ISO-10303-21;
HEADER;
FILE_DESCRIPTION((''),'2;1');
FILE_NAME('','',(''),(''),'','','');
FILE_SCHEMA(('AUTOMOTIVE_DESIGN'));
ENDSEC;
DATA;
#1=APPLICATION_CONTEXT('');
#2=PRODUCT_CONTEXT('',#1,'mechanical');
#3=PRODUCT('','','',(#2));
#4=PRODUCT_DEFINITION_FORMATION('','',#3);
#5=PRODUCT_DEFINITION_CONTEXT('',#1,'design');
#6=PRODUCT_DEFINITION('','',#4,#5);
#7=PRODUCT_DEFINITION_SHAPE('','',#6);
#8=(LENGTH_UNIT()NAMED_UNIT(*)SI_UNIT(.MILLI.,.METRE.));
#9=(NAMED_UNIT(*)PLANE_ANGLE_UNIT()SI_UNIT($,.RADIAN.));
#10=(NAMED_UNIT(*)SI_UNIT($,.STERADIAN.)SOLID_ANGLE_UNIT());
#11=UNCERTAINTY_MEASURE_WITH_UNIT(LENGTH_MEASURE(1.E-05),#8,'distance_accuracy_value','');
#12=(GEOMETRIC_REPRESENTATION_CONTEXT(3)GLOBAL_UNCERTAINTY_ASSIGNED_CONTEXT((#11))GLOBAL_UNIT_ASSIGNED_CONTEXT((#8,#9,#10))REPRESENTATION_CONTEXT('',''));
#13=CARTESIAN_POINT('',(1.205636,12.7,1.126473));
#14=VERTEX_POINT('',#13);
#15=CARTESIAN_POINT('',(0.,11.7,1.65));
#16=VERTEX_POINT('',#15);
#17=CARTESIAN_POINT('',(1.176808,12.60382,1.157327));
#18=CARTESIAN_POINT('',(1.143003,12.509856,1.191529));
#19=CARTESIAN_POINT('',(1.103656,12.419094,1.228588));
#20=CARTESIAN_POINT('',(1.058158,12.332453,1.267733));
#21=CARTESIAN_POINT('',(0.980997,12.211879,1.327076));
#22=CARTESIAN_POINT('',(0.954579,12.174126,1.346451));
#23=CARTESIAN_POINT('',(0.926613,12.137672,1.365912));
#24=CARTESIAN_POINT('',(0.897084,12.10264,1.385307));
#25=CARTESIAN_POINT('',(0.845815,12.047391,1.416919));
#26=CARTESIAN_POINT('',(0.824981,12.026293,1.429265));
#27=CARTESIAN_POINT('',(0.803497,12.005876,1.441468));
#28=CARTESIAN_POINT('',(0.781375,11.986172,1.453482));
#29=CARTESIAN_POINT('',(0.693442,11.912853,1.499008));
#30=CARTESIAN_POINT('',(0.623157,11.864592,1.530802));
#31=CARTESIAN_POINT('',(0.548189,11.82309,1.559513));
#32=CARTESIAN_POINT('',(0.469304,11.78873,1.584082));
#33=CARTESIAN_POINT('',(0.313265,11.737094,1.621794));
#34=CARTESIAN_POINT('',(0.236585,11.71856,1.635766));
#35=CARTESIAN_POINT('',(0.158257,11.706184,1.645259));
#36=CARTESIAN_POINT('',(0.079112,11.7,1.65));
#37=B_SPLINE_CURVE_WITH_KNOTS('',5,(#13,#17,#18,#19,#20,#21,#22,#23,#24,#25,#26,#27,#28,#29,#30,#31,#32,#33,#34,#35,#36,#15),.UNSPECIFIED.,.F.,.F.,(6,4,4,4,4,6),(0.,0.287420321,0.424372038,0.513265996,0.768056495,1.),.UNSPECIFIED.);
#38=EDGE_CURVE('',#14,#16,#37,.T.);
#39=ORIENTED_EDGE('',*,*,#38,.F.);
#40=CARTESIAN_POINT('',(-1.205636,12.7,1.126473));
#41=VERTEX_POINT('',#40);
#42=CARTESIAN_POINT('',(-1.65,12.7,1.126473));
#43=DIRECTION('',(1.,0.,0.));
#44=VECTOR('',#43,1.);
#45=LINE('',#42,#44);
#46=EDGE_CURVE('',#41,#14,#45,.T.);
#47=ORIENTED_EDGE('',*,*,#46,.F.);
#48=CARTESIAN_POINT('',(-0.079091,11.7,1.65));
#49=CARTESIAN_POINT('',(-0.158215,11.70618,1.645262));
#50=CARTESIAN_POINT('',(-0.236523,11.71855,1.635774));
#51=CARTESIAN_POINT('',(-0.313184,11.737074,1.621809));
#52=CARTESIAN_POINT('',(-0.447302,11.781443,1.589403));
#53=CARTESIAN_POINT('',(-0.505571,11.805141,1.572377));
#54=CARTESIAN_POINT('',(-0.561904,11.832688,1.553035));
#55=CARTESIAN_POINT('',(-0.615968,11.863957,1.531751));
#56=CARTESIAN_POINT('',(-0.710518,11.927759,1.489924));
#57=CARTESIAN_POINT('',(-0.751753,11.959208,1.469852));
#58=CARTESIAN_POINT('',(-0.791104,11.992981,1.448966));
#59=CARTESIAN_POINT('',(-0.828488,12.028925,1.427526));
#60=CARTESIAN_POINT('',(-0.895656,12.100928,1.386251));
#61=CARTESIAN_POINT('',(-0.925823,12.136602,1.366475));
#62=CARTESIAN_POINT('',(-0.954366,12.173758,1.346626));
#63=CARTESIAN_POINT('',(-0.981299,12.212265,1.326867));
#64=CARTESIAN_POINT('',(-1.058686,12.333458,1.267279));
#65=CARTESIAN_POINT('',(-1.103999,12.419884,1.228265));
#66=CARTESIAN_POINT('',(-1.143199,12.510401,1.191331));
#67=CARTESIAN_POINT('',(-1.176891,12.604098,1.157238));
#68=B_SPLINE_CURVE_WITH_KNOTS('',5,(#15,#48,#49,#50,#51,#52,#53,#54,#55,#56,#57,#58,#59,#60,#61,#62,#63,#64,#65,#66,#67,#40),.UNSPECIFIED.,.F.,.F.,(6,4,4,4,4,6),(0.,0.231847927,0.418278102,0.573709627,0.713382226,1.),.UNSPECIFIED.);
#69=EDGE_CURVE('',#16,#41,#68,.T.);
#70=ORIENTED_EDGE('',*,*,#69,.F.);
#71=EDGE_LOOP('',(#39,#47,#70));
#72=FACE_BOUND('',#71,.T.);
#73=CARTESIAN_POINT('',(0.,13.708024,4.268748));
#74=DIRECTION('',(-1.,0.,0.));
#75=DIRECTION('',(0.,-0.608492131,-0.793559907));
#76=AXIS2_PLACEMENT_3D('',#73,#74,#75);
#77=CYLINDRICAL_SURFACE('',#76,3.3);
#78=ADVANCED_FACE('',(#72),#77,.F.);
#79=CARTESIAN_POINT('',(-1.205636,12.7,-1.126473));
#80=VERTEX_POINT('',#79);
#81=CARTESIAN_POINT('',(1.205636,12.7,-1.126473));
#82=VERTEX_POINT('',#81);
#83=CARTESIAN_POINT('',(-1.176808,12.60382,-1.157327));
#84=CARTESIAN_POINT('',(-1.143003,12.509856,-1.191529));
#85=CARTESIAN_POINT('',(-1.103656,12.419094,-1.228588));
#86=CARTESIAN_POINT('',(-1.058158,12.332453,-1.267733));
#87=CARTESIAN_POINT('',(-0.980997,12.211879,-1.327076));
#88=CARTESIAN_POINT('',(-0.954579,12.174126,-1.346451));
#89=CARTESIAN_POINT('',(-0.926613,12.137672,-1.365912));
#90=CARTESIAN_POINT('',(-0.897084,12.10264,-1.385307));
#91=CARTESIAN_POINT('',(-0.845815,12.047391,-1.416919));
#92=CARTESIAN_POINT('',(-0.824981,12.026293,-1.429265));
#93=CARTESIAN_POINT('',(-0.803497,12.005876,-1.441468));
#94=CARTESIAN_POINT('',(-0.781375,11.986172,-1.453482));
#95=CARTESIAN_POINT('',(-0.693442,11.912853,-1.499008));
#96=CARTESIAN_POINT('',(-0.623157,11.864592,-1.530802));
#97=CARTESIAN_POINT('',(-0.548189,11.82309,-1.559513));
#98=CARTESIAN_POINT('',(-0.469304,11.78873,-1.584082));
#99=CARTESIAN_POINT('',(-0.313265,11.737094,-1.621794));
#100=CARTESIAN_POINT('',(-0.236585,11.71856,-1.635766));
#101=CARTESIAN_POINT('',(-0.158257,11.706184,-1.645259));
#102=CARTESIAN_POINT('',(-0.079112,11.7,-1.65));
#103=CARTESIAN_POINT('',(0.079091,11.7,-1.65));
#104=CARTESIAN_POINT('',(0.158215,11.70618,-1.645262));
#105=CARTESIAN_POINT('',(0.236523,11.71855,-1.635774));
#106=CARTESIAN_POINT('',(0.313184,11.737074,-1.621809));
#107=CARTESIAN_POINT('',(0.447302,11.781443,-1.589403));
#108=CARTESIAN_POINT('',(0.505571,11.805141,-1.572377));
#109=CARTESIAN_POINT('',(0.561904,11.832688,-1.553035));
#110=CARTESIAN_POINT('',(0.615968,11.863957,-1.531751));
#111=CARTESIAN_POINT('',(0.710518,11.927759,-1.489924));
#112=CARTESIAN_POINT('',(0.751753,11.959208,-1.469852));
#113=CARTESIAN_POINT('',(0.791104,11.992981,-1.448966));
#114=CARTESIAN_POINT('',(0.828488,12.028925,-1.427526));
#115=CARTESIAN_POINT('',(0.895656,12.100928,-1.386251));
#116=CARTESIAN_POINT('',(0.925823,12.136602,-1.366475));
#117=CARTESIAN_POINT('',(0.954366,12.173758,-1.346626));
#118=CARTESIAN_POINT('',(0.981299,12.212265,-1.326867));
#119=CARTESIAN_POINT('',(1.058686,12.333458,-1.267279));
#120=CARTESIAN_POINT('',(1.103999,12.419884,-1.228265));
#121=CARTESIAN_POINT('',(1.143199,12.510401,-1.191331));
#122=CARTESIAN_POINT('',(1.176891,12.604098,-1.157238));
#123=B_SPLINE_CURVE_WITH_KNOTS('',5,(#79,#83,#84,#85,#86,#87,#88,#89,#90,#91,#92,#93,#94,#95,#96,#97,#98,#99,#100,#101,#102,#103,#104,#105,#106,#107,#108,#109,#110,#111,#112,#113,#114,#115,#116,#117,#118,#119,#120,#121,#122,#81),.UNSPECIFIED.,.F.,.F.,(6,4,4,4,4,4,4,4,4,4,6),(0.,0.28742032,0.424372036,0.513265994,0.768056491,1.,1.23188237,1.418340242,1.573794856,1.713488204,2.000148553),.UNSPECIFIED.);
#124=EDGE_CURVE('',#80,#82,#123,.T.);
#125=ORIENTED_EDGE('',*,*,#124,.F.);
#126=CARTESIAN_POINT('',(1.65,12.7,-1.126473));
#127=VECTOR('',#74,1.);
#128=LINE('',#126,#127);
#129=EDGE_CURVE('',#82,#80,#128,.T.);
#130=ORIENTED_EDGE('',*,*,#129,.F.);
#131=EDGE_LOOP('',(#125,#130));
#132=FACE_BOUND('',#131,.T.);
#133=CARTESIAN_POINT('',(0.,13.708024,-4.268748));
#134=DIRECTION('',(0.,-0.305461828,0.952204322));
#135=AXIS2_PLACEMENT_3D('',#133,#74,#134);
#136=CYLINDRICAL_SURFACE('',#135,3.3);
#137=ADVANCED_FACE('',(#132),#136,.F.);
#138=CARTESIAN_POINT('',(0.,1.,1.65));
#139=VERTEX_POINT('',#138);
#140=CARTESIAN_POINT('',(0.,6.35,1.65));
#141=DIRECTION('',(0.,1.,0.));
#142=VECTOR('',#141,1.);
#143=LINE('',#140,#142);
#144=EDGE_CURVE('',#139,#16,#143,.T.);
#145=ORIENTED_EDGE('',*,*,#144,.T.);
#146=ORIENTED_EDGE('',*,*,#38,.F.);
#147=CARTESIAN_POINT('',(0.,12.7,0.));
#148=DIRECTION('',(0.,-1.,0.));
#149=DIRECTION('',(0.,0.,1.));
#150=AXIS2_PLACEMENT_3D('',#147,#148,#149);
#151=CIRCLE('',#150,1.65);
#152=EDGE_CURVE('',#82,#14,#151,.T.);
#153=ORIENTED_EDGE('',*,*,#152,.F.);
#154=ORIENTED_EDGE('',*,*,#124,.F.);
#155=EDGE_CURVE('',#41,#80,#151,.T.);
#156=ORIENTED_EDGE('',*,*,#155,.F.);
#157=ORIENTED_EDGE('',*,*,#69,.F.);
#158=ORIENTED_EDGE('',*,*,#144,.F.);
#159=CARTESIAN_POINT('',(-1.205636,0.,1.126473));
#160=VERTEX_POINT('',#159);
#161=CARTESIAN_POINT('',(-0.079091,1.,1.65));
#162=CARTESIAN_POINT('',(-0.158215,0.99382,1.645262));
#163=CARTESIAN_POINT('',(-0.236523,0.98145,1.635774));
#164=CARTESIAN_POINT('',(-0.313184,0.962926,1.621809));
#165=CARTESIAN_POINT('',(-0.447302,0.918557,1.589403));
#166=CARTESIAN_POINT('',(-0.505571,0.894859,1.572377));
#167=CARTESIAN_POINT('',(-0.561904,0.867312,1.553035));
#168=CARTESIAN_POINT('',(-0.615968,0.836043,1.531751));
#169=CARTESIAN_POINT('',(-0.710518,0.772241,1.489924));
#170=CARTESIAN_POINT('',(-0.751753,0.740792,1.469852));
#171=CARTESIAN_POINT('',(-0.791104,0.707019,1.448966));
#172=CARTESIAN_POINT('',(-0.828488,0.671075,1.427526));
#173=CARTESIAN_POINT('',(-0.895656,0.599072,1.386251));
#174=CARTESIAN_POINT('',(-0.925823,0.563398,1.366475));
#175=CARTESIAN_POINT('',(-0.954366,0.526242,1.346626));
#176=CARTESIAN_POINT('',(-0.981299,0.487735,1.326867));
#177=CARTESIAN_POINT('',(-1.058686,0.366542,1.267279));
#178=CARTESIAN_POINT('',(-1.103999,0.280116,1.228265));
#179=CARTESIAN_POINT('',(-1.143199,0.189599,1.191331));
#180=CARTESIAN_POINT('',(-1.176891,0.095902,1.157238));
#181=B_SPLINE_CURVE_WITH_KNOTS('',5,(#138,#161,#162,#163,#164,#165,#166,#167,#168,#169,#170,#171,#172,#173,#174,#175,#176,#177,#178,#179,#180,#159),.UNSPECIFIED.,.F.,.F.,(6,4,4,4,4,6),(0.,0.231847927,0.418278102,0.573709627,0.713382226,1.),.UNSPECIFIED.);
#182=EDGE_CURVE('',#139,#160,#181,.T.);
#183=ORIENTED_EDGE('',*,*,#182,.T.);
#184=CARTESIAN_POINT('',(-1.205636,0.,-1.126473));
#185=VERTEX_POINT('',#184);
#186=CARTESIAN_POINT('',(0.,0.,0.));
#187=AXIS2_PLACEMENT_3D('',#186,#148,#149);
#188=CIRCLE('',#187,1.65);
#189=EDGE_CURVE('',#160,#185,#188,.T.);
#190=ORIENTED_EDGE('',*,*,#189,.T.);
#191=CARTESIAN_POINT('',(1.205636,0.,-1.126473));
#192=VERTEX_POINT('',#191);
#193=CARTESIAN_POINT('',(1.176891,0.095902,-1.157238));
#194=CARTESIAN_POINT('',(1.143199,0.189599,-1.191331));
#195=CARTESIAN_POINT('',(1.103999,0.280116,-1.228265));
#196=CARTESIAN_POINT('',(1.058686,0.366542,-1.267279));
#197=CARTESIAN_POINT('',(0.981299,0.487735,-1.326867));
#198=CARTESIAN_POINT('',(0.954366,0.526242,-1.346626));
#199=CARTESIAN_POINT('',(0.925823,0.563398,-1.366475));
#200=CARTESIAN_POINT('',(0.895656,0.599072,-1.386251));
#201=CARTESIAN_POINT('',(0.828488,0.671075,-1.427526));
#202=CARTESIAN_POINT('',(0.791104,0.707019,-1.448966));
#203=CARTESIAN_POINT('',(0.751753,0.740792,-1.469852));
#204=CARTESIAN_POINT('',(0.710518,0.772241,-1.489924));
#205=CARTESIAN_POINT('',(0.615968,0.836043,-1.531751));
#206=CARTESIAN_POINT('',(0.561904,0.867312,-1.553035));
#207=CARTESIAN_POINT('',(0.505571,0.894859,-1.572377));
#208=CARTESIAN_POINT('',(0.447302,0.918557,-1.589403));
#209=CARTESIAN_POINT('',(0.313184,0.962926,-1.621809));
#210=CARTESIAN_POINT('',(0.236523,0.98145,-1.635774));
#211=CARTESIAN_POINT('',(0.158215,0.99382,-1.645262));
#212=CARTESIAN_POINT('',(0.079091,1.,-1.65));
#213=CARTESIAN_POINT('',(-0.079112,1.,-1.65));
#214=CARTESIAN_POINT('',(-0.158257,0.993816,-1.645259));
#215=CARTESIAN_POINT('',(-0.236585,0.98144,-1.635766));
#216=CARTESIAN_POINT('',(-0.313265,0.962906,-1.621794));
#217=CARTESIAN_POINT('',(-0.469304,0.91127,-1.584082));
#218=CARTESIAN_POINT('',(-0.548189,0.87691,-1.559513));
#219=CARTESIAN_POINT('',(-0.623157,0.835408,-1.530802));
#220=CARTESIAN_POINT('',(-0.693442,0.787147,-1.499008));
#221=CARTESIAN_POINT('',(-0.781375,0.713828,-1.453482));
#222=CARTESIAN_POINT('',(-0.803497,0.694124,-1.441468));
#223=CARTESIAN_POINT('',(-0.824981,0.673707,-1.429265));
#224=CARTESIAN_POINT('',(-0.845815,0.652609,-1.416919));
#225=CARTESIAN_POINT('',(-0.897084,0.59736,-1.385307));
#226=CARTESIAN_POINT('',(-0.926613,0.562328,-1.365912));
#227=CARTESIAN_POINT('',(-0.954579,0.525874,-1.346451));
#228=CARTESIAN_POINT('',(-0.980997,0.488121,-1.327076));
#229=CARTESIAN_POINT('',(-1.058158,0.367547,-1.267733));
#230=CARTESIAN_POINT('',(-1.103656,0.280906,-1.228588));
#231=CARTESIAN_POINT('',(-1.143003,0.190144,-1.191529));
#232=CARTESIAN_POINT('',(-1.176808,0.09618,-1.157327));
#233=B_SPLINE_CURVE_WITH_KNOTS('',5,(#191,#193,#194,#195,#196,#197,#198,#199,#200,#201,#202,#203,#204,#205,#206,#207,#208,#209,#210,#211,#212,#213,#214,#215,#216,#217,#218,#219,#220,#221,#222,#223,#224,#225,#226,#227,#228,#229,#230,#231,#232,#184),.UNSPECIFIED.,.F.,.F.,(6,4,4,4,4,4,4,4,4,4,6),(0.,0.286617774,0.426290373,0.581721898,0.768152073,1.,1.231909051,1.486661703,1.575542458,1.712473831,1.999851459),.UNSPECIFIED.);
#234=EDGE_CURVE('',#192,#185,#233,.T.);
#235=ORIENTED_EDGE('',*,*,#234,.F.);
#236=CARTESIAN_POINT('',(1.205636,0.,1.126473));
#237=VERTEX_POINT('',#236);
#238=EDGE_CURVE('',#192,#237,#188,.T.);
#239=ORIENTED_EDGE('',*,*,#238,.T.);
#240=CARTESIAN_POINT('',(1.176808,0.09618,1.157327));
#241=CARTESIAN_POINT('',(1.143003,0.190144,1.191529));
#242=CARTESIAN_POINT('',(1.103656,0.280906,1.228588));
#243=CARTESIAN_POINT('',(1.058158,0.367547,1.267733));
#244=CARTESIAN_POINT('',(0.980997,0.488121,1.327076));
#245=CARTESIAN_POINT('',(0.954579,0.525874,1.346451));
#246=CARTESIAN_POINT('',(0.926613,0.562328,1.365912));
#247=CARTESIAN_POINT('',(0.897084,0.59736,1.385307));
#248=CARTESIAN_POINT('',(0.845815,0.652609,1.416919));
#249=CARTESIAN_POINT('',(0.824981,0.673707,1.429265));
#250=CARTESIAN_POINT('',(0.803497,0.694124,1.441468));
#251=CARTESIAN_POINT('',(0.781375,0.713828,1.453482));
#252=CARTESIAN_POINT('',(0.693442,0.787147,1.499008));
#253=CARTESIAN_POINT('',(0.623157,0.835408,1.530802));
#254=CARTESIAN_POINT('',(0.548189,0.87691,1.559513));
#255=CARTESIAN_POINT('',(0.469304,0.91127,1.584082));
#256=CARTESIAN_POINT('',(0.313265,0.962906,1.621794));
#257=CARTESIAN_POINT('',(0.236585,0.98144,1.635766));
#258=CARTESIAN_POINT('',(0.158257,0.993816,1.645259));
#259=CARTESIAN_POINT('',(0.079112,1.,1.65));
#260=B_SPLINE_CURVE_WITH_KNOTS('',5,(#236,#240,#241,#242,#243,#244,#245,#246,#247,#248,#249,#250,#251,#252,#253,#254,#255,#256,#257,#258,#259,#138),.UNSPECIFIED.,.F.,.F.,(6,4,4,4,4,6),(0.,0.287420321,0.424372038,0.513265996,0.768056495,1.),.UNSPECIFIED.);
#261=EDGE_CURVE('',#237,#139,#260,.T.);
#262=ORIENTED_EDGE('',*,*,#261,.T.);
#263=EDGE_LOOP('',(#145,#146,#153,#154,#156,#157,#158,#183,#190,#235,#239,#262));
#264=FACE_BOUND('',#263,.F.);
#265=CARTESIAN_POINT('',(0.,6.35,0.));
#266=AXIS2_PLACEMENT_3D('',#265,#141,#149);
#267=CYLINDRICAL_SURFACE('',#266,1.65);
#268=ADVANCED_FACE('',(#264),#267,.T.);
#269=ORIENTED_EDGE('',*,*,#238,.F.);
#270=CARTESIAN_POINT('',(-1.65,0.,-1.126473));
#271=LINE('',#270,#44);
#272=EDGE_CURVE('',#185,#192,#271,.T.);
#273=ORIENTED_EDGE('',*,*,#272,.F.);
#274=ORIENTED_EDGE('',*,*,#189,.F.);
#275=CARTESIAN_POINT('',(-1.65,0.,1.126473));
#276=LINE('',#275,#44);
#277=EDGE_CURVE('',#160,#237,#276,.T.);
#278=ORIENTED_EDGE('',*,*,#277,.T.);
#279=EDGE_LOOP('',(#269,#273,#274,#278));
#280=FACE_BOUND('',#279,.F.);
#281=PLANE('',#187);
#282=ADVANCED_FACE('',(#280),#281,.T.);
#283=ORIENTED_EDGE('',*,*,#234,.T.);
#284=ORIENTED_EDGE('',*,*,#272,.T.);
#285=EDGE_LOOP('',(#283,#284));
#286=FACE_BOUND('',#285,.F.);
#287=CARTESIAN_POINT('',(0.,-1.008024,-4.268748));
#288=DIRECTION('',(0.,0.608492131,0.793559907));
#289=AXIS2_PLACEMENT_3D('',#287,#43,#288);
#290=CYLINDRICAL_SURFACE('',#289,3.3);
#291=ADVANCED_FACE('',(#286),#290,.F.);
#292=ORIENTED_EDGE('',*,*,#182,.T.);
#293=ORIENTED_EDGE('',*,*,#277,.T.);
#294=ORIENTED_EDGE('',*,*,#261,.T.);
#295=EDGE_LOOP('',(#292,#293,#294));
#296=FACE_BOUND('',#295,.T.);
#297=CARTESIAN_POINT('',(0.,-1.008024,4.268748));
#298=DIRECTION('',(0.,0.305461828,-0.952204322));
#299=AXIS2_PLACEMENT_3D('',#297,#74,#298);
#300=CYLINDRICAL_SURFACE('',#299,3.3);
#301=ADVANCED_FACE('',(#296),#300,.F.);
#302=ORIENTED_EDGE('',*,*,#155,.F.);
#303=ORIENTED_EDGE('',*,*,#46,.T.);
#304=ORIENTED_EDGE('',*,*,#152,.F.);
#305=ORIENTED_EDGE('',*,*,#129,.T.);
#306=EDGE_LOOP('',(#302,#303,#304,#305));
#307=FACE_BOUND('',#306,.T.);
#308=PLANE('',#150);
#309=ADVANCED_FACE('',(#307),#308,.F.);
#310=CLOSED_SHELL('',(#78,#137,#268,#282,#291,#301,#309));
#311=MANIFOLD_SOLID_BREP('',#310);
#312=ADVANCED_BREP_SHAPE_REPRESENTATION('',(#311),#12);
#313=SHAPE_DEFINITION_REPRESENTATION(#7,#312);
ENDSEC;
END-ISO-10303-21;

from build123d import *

# Parameters (mm, degrees)
F0_W     = 12.7
F0_H     = 1.65
F3_DEPTH = 1.65


with BuildPart() as f1:
    # F0 (on Right) → F1 (revolve)
    with BuildSketch(Plane.YZ):
        with Locations((6.35, 0.825)):
            Rectangle(F0_W, F0_H)
    revolve(axis=Axis((0, 6.35, 0), (0, -1, 0)))

    # F2 (on Right) → F3 (cut, symmetric)
    with BuildSketch(Plane.YZ):
        with BuildLine():
            Line((0, 1.65), (0, 1.1264734296))
            ThreePointArc((0, 1.1264734296), (0.5225498795, 1.3451636775), (1, 1.65))
            Line((1, 1.65), (0, 1.65))
        make_face()
        with BuildLine():
            ThreePointArc((11.7, 1.65), (12.1774501205, 1.3451636775), (12.7, 1.1264734296))
            Line((12.7, 1.1264734296), (12.7, 1.65))
            Line((12.7, 1.65), (11.7, 1.65))
        make_face()
        with BuildLine():
            Line((11.7, -1.65), (12.7, -1.65))
            Line((12.7, -1.65), (12.7, -1.1264734296))
            ThreePointArc((12.7, -1.1264734296), (12.1774501205, -1.3451636775), (11.7, -1.65))
        make_face()
        with BuildLine():
            ThreePointArc((1, -1.65), (0.5225498795, -1.3451636775), (0, -1.1264734296))
            Line((0, -1.1264734296), (0, -1.65))
            Line((0, -1.65), (1, -1.65))
        make_face()
    extrude(amount=F3_DEPTH, both=True, mode=Mode.SUBTRACT)


solid = f1.part
